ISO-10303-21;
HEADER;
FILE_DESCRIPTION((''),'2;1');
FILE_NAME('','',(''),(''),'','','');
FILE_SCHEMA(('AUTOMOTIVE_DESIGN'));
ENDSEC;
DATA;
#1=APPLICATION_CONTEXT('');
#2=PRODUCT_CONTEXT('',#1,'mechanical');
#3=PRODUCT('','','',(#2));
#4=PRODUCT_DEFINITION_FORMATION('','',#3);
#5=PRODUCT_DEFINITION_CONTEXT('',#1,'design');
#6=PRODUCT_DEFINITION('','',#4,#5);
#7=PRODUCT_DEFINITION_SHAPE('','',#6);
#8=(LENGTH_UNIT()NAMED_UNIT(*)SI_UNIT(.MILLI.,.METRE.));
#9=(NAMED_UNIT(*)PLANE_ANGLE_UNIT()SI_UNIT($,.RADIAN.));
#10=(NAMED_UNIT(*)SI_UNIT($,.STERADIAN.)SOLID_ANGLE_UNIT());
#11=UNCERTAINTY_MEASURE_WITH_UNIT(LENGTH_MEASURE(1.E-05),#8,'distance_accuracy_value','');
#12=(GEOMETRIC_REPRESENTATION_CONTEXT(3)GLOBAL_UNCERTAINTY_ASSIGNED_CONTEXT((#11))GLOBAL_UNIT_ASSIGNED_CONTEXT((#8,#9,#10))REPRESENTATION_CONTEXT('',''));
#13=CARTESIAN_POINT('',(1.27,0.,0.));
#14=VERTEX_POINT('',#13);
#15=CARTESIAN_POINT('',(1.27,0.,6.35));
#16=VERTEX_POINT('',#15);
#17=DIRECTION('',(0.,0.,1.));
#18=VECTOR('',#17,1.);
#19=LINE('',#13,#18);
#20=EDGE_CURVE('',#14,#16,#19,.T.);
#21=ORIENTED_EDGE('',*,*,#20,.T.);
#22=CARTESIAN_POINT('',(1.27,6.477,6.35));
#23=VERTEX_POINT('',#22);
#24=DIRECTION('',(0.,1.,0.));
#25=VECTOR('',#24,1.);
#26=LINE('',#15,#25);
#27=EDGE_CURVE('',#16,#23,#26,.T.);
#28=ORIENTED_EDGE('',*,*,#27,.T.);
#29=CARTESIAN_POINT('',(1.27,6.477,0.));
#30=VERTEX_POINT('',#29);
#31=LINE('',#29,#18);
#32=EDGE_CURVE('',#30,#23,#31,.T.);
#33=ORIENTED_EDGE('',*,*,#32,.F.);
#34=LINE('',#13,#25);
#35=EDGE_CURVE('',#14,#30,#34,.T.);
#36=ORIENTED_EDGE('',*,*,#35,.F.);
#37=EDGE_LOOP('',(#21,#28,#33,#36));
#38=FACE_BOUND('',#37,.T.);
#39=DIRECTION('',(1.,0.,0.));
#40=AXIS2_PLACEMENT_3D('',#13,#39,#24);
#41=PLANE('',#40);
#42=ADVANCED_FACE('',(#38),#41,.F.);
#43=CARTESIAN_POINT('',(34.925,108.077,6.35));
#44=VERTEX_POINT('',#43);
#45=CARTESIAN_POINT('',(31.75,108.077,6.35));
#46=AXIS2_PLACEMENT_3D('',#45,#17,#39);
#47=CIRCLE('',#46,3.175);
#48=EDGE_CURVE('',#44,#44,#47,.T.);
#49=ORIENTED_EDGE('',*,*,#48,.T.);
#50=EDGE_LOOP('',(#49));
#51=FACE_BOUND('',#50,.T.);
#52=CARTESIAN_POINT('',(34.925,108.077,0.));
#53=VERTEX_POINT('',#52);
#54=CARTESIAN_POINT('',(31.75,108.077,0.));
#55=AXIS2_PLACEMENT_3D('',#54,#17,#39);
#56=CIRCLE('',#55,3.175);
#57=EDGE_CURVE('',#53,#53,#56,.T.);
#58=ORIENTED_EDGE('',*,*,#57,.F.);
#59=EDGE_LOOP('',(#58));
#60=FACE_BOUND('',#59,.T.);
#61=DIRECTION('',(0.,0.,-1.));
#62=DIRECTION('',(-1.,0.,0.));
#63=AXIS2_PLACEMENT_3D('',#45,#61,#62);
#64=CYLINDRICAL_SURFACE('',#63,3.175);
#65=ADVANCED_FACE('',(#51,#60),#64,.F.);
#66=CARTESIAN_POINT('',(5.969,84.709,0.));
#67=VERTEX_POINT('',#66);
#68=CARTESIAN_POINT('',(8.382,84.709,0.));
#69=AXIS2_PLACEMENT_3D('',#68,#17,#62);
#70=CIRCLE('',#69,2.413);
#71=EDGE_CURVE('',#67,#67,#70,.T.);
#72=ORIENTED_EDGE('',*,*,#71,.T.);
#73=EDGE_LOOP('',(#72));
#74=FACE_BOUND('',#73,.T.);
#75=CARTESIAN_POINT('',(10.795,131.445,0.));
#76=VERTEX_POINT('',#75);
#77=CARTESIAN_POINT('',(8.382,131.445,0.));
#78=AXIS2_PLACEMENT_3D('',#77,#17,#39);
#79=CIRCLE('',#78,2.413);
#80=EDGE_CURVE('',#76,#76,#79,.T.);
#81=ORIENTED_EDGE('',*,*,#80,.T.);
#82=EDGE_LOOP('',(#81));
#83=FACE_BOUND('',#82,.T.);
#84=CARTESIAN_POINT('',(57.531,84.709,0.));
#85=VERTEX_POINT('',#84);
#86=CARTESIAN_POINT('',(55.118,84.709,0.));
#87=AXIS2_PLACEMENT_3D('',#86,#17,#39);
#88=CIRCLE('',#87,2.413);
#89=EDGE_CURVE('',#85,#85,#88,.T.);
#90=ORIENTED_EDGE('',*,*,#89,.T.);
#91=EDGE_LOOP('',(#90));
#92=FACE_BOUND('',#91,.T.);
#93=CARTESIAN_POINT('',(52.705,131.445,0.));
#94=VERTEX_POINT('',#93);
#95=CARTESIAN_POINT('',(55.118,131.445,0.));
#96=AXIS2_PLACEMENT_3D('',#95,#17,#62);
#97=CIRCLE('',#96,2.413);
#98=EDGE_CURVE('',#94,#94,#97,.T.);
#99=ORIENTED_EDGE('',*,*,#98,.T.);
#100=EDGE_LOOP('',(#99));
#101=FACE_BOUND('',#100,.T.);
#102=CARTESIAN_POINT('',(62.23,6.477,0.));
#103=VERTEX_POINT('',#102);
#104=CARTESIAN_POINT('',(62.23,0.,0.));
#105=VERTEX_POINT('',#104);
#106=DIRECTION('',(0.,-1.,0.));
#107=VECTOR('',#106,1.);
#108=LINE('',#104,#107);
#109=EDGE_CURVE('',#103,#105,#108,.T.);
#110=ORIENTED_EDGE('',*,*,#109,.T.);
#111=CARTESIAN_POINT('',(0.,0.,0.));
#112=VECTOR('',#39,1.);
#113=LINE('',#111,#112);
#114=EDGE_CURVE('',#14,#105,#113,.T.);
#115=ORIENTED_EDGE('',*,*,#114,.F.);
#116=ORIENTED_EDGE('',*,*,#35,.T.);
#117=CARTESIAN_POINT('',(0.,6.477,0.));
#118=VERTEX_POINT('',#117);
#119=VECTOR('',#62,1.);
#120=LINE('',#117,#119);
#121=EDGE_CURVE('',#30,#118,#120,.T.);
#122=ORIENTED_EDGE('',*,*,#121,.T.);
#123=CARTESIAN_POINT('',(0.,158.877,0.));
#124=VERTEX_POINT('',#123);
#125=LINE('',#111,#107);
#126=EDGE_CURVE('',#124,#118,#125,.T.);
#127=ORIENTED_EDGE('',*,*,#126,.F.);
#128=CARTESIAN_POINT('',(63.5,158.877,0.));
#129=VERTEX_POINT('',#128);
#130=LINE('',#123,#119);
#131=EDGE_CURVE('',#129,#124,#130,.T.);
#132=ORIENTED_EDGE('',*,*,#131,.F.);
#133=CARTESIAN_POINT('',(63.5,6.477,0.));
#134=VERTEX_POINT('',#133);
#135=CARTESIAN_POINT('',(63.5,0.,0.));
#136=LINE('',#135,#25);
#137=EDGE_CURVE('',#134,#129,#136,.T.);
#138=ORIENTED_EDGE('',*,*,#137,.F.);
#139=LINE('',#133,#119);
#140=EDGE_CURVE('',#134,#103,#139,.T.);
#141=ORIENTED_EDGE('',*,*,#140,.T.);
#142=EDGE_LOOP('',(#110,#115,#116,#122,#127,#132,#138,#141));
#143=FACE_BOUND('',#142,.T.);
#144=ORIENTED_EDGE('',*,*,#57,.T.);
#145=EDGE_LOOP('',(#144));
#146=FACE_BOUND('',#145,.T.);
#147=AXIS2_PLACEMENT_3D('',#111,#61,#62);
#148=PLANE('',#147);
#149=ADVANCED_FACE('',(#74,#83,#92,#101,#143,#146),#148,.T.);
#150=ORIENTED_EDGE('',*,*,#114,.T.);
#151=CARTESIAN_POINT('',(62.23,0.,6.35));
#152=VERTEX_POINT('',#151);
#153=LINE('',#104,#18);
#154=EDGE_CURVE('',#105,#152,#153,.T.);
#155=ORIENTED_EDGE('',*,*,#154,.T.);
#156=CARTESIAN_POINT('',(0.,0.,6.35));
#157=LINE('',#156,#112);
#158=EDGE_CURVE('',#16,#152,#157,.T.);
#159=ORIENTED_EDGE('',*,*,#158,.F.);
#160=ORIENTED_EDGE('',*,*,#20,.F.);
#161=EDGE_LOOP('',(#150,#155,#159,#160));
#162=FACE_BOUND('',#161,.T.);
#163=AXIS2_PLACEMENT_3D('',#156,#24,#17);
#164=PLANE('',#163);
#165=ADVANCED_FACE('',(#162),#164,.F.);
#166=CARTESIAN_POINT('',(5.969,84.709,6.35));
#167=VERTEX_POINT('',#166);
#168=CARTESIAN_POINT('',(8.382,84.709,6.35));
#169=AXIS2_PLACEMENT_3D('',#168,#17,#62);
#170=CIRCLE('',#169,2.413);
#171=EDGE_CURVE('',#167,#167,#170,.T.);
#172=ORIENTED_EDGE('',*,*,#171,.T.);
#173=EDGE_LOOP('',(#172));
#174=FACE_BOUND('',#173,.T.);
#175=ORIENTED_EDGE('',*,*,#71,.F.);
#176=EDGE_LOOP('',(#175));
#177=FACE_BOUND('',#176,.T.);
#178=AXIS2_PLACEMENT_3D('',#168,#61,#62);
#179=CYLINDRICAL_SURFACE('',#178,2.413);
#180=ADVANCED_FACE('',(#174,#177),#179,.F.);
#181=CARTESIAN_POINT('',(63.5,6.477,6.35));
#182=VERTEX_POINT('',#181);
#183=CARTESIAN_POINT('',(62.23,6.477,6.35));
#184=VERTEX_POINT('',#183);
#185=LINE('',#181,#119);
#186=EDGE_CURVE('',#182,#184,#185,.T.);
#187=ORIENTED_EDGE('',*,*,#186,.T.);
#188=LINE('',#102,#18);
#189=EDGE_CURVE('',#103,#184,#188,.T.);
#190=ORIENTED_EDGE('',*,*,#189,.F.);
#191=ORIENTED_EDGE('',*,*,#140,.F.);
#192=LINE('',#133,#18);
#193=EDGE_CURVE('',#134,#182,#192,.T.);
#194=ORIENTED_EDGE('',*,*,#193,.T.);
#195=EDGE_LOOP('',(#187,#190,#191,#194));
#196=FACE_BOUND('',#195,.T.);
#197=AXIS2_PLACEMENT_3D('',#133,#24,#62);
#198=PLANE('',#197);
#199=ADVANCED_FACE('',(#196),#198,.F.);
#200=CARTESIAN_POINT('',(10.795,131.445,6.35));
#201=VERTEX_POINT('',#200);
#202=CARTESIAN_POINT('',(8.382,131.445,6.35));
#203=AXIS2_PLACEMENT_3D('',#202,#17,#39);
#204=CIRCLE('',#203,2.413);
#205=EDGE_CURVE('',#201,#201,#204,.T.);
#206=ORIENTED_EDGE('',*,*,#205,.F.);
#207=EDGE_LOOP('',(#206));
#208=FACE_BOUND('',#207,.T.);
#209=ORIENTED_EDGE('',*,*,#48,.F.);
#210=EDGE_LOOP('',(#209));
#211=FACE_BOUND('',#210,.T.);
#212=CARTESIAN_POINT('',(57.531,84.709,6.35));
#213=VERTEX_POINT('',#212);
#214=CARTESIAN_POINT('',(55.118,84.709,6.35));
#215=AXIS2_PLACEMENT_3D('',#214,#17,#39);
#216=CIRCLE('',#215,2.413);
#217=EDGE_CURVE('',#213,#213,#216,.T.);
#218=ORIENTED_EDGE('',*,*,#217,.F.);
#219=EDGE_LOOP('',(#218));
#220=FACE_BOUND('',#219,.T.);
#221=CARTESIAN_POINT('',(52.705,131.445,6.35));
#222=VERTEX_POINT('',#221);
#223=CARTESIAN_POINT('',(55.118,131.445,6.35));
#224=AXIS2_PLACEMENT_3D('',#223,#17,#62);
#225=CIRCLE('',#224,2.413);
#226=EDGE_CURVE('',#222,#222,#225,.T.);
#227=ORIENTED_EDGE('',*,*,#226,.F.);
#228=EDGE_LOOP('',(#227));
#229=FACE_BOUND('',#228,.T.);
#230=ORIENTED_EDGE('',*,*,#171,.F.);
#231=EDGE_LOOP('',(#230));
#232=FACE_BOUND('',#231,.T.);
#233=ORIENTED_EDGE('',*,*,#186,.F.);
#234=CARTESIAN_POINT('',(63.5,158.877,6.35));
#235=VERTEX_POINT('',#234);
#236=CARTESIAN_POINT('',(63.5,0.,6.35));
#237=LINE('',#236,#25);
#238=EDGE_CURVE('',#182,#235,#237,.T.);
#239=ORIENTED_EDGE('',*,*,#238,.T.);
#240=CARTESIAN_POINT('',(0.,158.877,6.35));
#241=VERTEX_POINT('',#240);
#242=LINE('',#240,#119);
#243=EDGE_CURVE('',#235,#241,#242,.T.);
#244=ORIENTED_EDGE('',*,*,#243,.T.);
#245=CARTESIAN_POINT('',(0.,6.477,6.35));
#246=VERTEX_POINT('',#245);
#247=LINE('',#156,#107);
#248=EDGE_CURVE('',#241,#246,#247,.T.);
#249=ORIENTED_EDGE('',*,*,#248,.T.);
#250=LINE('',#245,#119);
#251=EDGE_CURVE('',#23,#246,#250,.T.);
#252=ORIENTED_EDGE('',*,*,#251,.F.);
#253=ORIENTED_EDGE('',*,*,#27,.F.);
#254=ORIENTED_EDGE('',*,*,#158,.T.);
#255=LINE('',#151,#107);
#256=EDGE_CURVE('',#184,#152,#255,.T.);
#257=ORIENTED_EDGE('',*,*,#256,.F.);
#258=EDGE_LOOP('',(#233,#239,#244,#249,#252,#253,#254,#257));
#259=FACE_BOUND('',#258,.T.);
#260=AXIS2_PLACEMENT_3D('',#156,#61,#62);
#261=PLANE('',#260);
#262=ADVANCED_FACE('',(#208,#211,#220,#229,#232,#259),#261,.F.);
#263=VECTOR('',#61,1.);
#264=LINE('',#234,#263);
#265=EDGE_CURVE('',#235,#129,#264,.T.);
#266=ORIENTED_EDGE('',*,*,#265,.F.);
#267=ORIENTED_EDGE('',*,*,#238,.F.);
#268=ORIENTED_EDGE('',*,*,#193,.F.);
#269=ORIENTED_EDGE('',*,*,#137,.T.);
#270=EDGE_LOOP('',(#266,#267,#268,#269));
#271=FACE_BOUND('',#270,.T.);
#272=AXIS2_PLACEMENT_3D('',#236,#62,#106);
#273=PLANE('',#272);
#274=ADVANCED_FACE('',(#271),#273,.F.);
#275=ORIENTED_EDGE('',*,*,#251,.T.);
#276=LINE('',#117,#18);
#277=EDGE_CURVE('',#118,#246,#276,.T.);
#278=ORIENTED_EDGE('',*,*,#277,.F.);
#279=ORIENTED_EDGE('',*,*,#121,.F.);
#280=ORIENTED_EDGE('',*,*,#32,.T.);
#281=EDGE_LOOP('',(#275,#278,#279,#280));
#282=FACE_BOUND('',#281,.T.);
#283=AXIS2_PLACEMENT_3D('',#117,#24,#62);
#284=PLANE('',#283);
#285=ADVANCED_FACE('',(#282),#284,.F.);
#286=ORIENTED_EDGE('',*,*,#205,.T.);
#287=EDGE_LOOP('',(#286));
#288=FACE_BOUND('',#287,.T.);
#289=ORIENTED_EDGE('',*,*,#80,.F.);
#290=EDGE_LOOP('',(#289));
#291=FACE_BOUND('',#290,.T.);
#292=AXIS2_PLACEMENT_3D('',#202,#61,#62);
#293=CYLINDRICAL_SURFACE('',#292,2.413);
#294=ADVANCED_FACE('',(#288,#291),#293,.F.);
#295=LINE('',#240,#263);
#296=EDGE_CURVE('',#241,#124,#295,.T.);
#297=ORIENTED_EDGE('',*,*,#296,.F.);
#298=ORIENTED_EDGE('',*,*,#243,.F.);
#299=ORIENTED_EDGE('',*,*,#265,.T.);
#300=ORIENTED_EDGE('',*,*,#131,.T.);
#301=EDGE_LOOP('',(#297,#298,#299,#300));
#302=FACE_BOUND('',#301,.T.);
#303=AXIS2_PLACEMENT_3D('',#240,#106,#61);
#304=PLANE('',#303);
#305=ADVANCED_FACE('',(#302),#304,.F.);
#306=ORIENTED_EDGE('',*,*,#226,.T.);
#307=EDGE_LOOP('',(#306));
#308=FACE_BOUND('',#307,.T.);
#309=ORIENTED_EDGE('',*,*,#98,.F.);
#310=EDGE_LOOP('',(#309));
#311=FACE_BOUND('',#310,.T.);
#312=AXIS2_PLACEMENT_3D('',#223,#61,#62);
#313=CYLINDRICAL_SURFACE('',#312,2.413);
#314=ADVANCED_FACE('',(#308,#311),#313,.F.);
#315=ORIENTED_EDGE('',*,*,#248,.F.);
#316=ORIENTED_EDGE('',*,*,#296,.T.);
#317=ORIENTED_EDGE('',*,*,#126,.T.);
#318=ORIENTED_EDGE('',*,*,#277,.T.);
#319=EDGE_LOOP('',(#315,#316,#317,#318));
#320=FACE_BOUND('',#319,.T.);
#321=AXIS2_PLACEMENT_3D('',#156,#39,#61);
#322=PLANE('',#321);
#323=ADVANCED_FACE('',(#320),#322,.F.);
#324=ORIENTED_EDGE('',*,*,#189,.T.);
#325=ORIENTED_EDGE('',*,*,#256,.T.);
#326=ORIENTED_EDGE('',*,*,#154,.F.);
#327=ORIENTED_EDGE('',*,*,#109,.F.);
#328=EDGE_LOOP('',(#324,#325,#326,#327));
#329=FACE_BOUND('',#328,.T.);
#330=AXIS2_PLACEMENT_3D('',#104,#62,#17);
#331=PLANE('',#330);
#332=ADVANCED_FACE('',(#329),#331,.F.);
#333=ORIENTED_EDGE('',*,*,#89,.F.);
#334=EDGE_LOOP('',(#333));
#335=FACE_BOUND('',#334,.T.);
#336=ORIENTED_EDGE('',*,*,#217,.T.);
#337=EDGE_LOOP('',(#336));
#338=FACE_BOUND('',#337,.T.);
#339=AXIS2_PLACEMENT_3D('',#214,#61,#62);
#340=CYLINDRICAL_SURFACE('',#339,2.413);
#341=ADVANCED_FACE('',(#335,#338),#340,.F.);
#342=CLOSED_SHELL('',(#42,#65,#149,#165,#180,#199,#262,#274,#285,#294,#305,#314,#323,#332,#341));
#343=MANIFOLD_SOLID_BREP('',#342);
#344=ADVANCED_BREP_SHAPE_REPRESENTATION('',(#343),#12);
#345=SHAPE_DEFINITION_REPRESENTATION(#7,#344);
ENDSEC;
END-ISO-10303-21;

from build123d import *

# Parameters (mm, degrees)
SKETCH2_W           = 63.5
SKETCH2_H           = 158.877
SKETCH2_R           = 2.413
SKETCH2_R_2         = 3.175
BOSS_EXTRUDE1_DEPTH = 6.35
SKETCH3_W           = 1.27
SKETCH3_H           = 6.477
CUT_EXTRUDE1_DEPTH  = 7.35


with BuildPart() as part:
    # Sketch2 → Boss-Extrude1 (new body)
    with BuildSketch(Plane.XY):
        with Locations((31.75, 79.4385)):
            Rectangle(SKETCH2_W, SKETCH2_H)
        with Locations((8.382, 131.445)):
            Circle(SKETCH2_R, mode=Mode.SUBTRACT)
        with Locations((55.118, 131.445)):
            Circle(SKETCH2_R, mode=Mode.SUBTRACT)
        with Locations((55.118, 84.709)):
            Circle(SKETCH2_R, mode=Mode.SUBTRACT)
        with Locations((8.382, 84.709)):
            Circle(SKETCH2_R, mode=Mode.SUBTRACT)
        with Locations((31.75, 108.077)):
            Circle(SKETCH2_R_2, mode=Mode.SUBTRACT)
    extrude(amount=BOSS_EXTRUDE1_DEPTH)

    # Sketch3 → Cut-Extrude1 (cut, through all)
    with BuildSketch(Plane.XY.offset(6.35)):
        with Locations((0.635, 3.2385)):
            Rectangle(SKETCH3_W, SKETCH3_H)
        with Locations((62.865, 3.2385)):
            Rectangle(SKETCH3_W, SKETCH3_H)
    extrude(amount=-CUT_EXTRUDE1_DEPTH, mode=Mode.SUBTRACT)


solid = part.part
